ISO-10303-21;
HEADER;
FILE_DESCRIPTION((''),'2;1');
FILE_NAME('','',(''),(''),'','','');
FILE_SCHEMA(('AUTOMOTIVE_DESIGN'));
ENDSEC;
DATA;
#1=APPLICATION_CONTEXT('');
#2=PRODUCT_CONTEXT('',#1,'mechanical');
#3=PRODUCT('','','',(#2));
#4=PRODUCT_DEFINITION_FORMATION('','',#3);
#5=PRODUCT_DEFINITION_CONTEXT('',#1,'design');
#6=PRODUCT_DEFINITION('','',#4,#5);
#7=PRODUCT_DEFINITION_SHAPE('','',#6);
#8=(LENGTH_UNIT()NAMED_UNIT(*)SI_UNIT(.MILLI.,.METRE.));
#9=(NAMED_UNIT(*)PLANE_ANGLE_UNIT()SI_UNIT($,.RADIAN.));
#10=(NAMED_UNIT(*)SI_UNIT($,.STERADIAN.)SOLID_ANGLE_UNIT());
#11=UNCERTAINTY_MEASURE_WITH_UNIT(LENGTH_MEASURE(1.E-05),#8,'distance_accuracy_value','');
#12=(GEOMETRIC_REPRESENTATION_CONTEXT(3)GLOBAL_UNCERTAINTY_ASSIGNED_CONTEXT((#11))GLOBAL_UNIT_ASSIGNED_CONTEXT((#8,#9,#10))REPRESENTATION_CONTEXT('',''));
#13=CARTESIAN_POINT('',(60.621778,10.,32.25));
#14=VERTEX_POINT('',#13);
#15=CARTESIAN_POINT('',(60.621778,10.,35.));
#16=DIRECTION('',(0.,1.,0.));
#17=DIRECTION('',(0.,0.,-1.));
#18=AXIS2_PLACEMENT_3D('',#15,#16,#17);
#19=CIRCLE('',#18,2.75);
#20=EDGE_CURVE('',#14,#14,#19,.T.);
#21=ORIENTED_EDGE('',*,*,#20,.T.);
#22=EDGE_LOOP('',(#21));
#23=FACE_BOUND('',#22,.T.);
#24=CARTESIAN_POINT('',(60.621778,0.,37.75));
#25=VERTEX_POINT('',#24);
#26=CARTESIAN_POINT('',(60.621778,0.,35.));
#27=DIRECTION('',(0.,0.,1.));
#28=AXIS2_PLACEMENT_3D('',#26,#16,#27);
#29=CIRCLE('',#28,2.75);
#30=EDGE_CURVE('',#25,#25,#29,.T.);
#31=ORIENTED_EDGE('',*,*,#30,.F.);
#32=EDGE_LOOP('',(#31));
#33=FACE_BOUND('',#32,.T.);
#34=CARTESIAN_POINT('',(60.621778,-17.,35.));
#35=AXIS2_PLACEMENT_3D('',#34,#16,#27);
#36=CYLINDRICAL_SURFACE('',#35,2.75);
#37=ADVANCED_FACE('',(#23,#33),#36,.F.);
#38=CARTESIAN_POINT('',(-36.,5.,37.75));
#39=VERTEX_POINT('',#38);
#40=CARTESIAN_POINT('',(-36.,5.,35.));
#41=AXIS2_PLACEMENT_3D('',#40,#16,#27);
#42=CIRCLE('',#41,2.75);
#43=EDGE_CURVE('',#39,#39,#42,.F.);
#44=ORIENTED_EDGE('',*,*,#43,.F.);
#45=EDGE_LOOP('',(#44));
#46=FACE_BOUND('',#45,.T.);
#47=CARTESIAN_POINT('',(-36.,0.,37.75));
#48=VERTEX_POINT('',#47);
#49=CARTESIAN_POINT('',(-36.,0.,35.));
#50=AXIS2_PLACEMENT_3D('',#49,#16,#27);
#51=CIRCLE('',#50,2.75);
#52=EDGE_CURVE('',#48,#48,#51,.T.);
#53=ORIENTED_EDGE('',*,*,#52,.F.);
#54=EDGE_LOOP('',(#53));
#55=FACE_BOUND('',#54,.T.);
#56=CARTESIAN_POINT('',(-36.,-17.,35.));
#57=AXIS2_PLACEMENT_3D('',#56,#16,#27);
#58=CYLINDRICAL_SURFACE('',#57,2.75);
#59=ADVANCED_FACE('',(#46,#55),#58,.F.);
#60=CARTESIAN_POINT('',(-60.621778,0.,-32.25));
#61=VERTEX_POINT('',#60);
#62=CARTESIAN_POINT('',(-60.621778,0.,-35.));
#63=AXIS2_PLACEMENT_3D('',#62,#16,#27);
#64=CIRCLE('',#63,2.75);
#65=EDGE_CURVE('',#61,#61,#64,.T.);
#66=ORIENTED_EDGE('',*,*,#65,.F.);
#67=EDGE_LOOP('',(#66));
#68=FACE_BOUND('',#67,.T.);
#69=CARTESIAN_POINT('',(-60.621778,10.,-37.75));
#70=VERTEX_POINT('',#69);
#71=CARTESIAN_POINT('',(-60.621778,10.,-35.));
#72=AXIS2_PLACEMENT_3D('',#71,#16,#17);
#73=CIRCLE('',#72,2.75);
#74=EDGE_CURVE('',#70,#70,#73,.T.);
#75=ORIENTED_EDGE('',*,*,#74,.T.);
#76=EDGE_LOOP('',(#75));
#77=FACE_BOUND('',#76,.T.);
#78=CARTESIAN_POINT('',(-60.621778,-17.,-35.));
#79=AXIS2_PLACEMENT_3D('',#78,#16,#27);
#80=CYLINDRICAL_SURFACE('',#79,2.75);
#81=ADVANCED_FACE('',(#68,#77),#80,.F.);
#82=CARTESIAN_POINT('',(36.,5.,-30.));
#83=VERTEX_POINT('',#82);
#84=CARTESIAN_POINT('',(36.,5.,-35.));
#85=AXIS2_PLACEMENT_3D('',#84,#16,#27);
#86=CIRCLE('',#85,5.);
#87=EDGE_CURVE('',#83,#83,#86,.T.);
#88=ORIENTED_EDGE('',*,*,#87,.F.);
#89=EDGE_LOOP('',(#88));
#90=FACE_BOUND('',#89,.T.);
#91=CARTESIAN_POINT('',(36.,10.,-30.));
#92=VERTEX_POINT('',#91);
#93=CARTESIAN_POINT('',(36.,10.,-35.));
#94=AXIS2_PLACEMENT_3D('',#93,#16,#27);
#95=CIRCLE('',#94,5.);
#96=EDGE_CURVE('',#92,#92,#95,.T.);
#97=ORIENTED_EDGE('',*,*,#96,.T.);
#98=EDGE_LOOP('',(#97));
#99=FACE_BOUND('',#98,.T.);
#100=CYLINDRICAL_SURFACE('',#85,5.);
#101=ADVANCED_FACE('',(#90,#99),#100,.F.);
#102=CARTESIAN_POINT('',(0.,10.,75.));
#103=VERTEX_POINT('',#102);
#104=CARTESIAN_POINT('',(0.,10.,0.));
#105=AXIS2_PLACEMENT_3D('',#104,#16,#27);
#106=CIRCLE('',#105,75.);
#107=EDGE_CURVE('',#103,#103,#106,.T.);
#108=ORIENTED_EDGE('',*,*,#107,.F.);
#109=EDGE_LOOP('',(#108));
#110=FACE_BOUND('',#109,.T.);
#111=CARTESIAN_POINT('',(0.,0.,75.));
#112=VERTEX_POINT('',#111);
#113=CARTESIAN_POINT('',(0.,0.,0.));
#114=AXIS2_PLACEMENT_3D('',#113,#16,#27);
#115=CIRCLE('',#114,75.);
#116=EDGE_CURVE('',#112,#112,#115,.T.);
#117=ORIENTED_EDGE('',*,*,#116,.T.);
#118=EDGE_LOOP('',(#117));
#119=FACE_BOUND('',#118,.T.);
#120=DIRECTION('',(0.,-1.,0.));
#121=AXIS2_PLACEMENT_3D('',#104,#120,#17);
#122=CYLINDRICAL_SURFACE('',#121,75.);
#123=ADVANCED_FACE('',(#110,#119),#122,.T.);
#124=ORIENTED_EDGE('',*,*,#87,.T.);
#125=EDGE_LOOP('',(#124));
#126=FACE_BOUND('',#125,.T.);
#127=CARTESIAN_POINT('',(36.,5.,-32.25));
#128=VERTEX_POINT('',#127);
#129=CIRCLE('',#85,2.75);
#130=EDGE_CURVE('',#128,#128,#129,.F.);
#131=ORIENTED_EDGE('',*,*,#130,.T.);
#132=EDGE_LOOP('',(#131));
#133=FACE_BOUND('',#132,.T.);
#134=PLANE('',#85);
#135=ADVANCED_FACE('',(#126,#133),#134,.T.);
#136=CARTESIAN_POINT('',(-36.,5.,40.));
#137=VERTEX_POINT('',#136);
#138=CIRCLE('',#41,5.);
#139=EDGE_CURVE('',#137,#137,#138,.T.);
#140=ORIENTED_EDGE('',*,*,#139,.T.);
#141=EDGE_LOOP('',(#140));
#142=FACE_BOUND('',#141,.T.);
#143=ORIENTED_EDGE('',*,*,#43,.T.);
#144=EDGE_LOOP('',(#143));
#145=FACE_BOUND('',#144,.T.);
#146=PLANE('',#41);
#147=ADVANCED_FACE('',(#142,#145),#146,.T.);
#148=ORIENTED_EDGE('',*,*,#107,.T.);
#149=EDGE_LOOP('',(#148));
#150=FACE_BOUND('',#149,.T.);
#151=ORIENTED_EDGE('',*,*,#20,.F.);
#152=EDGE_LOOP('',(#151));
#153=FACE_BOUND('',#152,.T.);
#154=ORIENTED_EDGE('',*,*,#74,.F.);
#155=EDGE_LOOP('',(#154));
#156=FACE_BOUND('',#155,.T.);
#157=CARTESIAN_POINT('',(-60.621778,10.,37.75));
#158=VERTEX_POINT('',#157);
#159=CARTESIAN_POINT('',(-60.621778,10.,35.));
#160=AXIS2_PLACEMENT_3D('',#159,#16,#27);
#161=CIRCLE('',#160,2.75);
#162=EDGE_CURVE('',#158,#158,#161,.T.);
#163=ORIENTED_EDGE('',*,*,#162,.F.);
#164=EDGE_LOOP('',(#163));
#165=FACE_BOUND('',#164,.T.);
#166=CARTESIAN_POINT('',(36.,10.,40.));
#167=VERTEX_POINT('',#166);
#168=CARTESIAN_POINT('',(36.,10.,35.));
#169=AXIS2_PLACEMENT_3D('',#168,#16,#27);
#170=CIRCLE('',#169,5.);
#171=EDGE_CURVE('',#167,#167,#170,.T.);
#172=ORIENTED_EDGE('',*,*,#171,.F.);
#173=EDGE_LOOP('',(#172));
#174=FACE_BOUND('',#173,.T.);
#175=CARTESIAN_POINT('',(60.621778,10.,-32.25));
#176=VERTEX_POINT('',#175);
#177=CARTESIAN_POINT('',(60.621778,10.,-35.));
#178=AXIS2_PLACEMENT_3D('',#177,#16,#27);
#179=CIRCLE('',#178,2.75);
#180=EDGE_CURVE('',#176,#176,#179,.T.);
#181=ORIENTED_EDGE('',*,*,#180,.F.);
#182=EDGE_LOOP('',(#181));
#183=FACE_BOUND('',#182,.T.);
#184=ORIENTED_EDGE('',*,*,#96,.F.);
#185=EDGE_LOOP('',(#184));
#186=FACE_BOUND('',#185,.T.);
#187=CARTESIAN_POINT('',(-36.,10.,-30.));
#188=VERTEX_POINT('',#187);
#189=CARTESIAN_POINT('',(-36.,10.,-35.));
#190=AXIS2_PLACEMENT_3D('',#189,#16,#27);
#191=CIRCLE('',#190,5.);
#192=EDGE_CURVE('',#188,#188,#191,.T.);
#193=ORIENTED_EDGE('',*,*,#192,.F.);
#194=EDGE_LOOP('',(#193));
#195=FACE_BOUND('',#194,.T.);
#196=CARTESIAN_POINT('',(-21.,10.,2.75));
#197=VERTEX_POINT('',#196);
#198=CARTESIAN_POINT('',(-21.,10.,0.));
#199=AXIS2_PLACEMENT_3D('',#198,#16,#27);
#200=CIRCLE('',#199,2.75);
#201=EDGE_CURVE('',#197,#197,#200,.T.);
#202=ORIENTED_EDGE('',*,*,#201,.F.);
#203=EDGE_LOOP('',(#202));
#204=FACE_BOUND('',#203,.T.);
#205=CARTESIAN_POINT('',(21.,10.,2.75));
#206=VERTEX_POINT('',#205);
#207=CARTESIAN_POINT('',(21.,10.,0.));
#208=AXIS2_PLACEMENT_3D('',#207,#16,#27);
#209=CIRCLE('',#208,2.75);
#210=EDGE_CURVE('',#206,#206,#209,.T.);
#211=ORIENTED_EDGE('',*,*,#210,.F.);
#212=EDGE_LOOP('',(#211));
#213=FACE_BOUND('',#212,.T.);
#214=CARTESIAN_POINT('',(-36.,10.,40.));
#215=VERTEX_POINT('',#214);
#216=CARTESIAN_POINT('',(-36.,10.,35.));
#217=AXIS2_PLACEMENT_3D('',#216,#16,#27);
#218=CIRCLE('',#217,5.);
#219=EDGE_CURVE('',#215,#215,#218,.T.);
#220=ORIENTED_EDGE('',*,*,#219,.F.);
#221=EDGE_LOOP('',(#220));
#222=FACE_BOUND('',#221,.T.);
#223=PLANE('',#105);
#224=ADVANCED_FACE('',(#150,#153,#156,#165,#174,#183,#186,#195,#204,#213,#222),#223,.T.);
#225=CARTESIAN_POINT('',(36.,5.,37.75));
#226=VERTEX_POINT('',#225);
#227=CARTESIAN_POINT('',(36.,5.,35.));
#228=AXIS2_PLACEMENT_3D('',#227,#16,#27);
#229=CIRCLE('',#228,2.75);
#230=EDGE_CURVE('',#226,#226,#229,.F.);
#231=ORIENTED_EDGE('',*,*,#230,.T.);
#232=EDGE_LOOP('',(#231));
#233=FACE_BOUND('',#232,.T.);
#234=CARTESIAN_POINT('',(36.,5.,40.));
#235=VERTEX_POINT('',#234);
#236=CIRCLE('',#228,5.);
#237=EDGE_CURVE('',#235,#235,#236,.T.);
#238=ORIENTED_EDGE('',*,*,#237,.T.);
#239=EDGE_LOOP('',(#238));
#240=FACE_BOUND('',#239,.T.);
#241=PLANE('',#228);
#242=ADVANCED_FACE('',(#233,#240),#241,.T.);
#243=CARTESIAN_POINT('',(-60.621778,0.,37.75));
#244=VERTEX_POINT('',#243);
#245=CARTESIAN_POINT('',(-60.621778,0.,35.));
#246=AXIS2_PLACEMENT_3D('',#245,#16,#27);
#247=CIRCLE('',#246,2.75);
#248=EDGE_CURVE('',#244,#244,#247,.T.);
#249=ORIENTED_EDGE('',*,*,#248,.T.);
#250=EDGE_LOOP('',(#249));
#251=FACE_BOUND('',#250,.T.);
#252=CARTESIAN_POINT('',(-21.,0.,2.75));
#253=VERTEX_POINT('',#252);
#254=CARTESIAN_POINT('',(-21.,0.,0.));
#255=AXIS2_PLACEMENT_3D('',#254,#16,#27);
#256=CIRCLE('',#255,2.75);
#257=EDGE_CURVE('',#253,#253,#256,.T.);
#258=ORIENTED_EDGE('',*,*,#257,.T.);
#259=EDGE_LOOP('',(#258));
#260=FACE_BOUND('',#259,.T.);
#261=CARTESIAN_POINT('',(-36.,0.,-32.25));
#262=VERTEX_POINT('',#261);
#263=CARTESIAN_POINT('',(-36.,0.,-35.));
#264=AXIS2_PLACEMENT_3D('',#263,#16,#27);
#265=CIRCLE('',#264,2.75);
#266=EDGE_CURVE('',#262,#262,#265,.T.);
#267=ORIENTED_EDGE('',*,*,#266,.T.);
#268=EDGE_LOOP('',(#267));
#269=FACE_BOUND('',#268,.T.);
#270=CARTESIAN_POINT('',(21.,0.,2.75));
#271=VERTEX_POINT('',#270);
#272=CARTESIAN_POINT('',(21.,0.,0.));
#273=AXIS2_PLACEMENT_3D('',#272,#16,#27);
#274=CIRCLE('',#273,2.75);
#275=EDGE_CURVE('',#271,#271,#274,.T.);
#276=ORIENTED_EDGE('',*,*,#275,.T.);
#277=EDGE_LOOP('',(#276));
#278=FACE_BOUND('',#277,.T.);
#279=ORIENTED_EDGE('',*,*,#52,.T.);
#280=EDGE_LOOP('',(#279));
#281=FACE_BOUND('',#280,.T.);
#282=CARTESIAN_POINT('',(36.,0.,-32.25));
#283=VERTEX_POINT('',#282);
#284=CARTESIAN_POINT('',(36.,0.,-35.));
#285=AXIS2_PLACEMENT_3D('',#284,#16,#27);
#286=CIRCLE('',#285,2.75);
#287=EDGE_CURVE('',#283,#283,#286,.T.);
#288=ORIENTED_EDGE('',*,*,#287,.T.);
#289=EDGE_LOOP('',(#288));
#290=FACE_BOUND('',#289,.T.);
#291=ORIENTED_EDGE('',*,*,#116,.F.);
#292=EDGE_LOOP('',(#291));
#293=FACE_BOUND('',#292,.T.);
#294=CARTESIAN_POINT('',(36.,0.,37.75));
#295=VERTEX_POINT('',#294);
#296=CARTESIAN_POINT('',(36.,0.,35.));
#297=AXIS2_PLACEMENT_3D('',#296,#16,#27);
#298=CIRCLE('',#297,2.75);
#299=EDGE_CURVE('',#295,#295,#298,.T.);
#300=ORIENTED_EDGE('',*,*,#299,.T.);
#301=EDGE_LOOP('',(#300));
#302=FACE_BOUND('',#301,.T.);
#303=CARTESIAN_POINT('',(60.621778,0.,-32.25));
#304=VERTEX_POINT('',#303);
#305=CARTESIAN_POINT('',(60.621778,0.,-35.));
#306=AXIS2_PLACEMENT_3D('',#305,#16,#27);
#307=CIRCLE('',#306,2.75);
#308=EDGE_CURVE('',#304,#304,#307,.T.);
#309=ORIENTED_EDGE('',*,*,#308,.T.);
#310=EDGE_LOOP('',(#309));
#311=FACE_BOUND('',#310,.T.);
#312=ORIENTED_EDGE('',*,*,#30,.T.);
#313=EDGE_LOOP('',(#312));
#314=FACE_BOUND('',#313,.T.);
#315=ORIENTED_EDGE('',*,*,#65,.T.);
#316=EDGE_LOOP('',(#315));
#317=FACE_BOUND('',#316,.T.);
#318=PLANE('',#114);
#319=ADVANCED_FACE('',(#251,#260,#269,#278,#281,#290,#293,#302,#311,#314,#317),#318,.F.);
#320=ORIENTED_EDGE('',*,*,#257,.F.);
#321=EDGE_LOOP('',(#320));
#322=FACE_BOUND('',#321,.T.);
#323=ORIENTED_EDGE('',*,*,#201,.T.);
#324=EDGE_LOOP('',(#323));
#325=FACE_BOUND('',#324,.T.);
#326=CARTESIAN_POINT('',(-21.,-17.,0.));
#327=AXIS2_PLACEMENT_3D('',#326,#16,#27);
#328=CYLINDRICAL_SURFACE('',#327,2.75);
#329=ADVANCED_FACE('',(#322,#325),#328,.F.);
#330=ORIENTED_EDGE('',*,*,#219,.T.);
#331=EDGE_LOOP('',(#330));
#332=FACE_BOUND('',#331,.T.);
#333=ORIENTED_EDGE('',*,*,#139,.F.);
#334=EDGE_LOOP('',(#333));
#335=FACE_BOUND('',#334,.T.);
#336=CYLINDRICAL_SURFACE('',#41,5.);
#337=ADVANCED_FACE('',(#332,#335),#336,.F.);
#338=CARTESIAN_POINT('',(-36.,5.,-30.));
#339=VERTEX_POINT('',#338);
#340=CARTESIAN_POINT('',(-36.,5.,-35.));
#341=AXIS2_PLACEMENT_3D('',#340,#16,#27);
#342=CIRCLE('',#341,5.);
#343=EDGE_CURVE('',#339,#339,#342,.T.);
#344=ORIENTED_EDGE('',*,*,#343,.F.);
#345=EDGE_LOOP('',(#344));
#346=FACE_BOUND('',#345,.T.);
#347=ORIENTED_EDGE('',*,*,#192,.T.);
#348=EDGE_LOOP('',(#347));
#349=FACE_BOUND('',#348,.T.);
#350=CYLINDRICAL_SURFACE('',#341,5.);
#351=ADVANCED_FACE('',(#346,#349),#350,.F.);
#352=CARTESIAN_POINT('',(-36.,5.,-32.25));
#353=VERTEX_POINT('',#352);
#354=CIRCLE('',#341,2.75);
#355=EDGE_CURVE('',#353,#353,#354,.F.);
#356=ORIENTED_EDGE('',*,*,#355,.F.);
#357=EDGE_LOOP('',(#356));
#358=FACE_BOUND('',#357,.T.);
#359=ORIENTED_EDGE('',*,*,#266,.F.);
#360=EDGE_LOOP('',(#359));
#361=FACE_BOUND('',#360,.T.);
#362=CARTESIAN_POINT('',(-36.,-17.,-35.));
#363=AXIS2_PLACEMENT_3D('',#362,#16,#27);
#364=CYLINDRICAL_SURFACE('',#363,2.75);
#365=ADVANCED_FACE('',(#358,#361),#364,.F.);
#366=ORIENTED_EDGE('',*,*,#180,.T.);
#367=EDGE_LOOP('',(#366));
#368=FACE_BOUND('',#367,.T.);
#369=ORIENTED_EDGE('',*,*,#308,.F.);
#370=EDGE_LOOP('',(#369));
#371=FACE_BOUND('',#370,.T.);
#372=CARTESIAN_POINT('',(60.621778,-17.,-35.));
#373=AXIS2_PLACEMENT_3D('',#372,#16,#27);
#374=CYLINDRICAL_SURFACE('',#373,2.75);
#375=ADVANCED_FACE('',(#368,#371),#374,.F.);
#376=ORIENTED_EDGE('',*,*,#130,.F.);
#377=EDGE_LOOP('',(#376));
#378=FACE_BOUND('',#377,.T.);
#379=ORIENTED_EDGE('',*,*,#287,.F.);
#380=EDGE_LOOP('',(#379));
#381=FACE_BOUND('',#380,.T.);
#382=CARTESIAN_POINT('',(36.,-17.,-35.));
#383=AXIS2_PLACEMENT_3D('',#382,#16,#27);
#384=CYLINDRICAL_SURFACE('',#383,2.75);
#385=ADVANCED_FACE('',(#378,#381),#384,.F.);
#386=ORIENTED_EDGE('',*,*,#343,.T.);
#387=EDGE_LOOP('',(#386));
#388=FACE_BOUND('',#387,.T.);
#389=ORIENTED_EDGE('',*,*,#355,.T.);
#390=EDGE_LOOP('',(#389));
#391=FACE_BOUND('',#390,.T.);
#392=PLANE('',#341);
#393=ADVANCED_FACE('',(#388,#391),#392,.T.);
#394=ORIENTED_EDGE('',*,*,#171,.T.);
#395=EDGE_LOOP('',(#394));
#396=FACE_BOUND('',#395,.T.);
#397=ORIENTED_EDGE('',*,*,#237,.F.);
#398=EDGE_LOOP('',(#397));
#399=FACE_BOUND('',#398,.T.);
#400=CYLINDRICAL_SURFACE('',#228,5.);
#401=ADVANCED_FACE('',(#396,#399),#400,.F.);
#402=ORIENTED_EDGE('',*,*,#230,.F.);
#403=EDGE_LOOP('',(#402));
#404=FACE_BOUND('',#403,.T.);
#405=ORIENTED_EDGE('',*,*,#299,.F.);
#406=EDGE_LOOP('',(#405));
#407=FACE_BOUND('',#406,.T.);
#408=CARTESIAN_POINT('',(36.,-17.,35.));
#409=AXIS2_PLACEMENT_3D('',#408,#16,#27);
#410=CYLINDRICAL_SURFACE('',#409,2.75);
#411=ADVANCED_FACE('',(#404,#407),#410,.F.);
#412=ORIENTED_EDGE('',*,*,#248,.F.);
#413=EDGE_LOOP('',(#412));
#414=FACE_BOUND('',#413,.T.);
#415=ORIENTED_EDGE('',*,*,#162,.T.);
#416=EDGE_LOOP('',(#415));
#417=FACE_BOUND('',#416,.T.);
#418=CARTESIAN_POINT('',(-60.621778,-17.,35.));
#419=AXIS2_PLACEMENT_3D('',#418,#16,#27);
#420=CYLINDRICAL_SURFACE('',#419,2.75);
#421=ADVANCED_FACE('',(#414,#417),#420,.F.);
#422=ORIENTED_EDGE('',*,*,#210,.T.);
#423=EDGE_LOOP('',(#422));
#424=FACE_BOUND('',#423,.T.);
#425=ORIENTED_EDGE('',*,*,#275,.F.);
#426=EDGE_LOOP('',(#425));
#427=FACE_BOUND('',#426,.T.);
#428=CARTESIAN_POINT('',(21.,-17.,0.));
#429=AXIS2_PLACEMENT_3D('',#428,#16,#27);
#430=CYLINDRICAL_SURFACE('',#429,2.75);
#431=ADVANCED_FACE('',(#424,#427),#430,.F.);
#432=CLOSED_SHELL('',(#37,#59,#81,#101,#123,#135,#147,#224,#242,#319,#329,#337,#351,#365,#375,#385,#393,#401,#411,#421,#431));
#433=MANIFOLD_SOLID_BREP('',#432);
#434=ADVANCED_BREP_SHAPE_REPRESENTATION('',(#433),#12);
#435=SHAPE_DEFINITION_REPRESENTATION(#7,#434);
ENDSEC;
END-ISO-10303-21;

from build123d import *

# Parameters (mm, degrees)
SKETCH_1_R          = 75
EXTRUDE_1_DEPTH     = 10
SKETCH_2_R          = 2.75
CUT_EXTRUDE_1_DEPTH = 27
SKETCH_3_R          = 5
CUT_EXTRUDE_2_DEPTH = 5


with BuildPart() as part:
    # 草图1 → 凸台-拉伸1 (new body)
    with BuildSketch(Plane(origin=(0, 0, 0), x_dir=(1, 0, 0), z_dir=(0, 1, 0))):
        with Locations(Location((0, 0, 0), (0, 0, 270))):
            Circle(SKETCH_1_R)
    extrude(amount=EXTRUDE_1_DEPTH)

    # 草图2 → 切除-拉伸1 (cut)
    with BuildSketch(Plane(origin=(0, 10, 0), x_dir=(1, 0, 0), z_dir=(0, 1, 0))):
        with Locations(Location((21, 0, 0), (0, 0, 270))):
            Circle(SKETCH_2_R)
        with Locations(Location((-21, 0, 0), (0, 0, 270))):
            Circle(SKETCH_2_R)
        with Locations(Location((36, 35, 0), (0, 0, 270))):
            Circle(SKETCH_2_R)
        with Locations(Location((36, -35, 0), (0, 0, 270))):
            Circle(SKETCH_2_R)
        with Locations(Location((-36, -35, 0), (0, 0, 270))):
            Circle(SKETCH_2_R)
        with Locations(Location((-36, 35, 0), (0, 0, 270))):
            Circle(SKETCH_2_R)
        with Locations(Location((60.621778265, 35, 0), (0, 0, 270))):
            Circle(SKETCH_2_R)
        with Locations(Location((60.621778265, -35, 0), (0, 0, 270))):
            Circle(SKETCH_2_R)
        with Locations(Location((-60.621778265, -35, 0), (0, 0, 270))):
            Circle(SKETCH_2_R)
        with Locations(Location((-60.621778265, 35, 0), (0, 0, 270))):
            Circle(SKETCH_2_R)
    extrude(amount=-CUT_EXTRUDE_1_DEPTH, mode=Mode.SUBTRACT)

    # 草图3 → 切除-拉伸2 (cut)
    with BuildSketch(Plane(origin=(0, 10, 0), x_dir=(1, 0, 0), z_dir=(0, 1, 0))):
        with Locations(Location((36, 35, 0), (0, 0, 270))):
            Circle(SKETCH_3_R)
        with Locations(Location((36, -35, 0), (0, 0, 270))):
            Circle(SKETCH_3_R)
        with Locations(Location((-36, -35, 0), (0, 0, 270))):
            Circle(SKETCH_3_R)
        with Locations(Location((-36, 35, 0), (0, 0, 270))):
            Circle(SKETCH_3_R)
    extrude(amount=-CUT_EXTRUDE_2_DEPTH, mode=Mode.SUBTRACT)


solid = part.part
